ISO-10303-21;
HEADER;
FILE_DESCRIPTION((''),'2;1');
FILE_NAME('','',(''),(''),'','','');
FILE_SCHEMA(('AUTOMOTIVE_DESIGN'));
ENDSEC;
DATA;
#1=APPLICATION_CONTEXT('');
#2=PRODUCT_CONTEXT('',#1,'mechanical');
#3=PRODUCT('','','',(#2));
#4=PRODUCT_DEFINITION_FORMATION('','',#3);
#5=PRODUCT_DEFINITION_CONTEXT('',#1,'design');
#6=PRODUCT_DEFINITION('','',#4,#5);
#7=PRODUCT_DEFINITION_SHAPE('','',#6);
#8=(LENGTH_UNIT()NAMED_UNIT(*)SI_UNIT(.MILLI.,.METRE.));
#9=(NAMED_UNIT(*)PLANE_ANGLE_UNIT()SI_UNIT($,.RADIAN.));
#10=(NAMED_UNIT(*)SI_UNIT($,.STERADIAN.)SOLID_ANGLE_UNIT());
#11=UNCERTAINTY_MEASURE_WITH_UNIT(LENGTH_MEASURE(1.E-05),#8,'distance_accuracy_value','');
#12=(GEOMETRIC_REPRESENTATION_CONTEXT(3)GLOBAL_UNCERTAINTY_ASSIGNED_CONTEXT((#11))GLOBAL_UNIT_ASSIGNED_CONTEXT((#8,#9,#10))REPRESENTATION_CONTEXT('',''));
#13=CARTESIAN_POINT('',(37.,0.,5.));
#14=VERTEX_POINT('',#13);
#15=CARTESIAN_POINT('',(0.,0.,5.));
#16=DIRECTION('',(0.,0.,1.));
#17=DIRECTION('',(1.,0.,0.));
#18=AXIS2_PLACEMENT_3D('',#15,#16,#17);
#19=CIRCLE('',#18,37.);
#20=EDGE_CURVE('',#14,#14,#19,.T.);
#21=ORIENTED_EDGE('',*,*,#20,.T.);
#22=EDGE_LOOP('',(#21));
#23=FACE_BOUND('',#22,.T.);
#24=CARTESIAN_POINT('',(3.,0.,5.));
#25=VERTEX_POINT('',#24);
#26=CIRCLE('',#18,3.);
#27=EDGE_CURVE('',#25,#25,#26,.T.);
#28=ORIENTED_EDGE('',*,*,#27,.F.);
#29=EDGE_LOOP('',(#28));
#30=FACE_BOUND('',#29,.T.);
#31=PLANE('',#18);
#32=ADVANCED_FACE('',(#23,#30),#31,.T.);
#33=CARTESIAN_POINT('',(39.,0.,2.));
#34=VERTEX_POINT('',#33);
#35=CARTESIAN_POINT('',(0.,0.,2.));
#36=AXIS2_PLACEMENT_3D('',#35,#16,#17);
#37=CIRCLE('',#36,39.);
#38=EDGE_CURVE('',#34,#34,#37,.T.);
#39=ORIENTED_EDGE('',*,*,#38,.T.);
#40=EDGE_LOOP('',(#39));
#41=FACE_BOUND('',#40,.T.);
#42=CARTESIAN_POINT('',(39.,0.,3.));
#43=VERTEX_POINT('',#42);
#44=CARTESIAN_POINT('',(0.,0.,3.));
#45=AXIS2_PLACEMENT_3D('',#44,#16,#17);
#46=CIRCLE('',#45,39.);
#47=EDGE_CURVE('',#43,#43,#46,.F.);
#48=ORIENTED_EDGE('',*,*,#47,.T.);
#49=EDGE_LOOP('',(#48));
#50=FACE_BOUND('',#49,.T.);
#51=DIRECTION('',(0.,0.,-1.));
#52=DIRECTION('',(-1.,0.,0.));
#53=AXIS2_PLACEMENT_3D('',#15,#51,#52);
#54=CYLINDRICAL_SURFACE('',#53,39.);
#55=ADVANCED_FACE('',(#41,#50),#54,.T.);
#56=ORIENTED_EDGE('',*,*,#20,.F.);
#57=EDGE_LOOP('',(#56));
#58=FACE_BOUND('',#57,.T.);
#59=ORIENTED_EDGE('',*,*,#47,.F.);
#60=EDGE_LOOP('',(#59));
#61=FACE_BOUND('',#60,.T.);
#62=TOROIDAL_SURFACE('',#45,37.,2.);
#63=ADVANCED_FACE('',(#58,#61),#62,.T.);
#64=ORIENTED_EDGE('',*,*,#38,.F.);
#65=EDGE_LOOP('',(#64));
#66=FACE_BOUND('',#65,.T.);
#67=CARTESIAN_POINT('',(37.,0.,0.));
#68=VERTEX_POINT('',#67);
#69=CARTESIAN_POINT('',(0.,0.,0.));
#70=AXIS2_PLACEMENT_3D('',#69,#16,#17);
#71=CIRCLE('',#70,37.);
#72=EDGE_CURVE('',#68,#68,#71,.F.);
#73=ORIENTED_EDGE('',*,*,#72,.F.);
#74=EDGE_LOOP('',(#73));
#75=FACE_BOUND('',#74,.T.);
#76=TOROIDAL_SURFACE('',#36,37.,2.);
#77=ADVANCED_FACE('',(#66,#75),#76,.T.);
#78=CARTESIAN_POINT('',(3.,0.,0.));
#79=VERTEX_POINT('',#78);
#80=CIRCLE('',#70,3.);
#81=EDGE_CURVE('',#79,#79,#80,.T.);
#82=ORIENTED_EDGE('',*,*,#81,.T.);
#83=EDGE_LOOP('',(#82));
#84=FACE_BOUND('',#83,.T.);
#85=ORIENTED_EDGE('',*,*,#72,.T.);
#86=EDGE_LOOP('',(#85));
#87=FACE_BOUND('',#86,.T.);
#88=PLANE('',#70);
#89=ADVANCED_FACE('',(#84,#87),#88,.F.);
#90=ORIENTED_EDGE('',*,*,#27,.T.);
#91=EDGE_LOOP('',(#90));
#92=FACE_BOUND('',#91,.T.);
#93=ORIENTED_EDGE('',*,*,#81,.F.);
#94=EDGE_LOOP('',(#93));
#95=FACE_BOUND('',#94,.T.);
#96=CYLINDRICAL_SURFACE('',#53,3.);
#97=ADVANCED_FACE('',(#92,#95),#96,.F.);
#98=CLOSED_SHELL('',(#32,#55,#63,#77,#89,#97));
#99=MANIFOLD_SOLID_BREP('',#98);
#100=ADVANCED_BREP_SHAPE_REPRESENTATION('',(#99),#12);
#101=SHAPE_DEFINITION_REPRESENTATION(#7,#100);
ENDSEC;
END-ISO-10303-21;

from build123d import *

# Parameters (mm, degrees)
SKETCH_1_R      = 39
SKETCH_1_R_2    = 3
EXTRUDE_1_DEPTH = 5
FILLET_1_R      = 2


with BuildPart() as part:
    # 草图1 → 凸台-拉伸1 (new body)
    with BuildSketch(Plane.XY):
        Circle(SKETCH_1_R)
        Circle(SKETCH_1_R_2, mode=Mode.SUBTRACT)
    extrude(amount=EXTRUDE_1_DEPTH)

    # 圆角1
    fillet_1_edges = [part.edges().sort_by_distance(p)[0] for p in [
        (-39, 0, 0),
        (-39, 0, 5),
    ]]
    fillet(fillet_1_edges, radius=FILLET_1_R)


solid = part.part
